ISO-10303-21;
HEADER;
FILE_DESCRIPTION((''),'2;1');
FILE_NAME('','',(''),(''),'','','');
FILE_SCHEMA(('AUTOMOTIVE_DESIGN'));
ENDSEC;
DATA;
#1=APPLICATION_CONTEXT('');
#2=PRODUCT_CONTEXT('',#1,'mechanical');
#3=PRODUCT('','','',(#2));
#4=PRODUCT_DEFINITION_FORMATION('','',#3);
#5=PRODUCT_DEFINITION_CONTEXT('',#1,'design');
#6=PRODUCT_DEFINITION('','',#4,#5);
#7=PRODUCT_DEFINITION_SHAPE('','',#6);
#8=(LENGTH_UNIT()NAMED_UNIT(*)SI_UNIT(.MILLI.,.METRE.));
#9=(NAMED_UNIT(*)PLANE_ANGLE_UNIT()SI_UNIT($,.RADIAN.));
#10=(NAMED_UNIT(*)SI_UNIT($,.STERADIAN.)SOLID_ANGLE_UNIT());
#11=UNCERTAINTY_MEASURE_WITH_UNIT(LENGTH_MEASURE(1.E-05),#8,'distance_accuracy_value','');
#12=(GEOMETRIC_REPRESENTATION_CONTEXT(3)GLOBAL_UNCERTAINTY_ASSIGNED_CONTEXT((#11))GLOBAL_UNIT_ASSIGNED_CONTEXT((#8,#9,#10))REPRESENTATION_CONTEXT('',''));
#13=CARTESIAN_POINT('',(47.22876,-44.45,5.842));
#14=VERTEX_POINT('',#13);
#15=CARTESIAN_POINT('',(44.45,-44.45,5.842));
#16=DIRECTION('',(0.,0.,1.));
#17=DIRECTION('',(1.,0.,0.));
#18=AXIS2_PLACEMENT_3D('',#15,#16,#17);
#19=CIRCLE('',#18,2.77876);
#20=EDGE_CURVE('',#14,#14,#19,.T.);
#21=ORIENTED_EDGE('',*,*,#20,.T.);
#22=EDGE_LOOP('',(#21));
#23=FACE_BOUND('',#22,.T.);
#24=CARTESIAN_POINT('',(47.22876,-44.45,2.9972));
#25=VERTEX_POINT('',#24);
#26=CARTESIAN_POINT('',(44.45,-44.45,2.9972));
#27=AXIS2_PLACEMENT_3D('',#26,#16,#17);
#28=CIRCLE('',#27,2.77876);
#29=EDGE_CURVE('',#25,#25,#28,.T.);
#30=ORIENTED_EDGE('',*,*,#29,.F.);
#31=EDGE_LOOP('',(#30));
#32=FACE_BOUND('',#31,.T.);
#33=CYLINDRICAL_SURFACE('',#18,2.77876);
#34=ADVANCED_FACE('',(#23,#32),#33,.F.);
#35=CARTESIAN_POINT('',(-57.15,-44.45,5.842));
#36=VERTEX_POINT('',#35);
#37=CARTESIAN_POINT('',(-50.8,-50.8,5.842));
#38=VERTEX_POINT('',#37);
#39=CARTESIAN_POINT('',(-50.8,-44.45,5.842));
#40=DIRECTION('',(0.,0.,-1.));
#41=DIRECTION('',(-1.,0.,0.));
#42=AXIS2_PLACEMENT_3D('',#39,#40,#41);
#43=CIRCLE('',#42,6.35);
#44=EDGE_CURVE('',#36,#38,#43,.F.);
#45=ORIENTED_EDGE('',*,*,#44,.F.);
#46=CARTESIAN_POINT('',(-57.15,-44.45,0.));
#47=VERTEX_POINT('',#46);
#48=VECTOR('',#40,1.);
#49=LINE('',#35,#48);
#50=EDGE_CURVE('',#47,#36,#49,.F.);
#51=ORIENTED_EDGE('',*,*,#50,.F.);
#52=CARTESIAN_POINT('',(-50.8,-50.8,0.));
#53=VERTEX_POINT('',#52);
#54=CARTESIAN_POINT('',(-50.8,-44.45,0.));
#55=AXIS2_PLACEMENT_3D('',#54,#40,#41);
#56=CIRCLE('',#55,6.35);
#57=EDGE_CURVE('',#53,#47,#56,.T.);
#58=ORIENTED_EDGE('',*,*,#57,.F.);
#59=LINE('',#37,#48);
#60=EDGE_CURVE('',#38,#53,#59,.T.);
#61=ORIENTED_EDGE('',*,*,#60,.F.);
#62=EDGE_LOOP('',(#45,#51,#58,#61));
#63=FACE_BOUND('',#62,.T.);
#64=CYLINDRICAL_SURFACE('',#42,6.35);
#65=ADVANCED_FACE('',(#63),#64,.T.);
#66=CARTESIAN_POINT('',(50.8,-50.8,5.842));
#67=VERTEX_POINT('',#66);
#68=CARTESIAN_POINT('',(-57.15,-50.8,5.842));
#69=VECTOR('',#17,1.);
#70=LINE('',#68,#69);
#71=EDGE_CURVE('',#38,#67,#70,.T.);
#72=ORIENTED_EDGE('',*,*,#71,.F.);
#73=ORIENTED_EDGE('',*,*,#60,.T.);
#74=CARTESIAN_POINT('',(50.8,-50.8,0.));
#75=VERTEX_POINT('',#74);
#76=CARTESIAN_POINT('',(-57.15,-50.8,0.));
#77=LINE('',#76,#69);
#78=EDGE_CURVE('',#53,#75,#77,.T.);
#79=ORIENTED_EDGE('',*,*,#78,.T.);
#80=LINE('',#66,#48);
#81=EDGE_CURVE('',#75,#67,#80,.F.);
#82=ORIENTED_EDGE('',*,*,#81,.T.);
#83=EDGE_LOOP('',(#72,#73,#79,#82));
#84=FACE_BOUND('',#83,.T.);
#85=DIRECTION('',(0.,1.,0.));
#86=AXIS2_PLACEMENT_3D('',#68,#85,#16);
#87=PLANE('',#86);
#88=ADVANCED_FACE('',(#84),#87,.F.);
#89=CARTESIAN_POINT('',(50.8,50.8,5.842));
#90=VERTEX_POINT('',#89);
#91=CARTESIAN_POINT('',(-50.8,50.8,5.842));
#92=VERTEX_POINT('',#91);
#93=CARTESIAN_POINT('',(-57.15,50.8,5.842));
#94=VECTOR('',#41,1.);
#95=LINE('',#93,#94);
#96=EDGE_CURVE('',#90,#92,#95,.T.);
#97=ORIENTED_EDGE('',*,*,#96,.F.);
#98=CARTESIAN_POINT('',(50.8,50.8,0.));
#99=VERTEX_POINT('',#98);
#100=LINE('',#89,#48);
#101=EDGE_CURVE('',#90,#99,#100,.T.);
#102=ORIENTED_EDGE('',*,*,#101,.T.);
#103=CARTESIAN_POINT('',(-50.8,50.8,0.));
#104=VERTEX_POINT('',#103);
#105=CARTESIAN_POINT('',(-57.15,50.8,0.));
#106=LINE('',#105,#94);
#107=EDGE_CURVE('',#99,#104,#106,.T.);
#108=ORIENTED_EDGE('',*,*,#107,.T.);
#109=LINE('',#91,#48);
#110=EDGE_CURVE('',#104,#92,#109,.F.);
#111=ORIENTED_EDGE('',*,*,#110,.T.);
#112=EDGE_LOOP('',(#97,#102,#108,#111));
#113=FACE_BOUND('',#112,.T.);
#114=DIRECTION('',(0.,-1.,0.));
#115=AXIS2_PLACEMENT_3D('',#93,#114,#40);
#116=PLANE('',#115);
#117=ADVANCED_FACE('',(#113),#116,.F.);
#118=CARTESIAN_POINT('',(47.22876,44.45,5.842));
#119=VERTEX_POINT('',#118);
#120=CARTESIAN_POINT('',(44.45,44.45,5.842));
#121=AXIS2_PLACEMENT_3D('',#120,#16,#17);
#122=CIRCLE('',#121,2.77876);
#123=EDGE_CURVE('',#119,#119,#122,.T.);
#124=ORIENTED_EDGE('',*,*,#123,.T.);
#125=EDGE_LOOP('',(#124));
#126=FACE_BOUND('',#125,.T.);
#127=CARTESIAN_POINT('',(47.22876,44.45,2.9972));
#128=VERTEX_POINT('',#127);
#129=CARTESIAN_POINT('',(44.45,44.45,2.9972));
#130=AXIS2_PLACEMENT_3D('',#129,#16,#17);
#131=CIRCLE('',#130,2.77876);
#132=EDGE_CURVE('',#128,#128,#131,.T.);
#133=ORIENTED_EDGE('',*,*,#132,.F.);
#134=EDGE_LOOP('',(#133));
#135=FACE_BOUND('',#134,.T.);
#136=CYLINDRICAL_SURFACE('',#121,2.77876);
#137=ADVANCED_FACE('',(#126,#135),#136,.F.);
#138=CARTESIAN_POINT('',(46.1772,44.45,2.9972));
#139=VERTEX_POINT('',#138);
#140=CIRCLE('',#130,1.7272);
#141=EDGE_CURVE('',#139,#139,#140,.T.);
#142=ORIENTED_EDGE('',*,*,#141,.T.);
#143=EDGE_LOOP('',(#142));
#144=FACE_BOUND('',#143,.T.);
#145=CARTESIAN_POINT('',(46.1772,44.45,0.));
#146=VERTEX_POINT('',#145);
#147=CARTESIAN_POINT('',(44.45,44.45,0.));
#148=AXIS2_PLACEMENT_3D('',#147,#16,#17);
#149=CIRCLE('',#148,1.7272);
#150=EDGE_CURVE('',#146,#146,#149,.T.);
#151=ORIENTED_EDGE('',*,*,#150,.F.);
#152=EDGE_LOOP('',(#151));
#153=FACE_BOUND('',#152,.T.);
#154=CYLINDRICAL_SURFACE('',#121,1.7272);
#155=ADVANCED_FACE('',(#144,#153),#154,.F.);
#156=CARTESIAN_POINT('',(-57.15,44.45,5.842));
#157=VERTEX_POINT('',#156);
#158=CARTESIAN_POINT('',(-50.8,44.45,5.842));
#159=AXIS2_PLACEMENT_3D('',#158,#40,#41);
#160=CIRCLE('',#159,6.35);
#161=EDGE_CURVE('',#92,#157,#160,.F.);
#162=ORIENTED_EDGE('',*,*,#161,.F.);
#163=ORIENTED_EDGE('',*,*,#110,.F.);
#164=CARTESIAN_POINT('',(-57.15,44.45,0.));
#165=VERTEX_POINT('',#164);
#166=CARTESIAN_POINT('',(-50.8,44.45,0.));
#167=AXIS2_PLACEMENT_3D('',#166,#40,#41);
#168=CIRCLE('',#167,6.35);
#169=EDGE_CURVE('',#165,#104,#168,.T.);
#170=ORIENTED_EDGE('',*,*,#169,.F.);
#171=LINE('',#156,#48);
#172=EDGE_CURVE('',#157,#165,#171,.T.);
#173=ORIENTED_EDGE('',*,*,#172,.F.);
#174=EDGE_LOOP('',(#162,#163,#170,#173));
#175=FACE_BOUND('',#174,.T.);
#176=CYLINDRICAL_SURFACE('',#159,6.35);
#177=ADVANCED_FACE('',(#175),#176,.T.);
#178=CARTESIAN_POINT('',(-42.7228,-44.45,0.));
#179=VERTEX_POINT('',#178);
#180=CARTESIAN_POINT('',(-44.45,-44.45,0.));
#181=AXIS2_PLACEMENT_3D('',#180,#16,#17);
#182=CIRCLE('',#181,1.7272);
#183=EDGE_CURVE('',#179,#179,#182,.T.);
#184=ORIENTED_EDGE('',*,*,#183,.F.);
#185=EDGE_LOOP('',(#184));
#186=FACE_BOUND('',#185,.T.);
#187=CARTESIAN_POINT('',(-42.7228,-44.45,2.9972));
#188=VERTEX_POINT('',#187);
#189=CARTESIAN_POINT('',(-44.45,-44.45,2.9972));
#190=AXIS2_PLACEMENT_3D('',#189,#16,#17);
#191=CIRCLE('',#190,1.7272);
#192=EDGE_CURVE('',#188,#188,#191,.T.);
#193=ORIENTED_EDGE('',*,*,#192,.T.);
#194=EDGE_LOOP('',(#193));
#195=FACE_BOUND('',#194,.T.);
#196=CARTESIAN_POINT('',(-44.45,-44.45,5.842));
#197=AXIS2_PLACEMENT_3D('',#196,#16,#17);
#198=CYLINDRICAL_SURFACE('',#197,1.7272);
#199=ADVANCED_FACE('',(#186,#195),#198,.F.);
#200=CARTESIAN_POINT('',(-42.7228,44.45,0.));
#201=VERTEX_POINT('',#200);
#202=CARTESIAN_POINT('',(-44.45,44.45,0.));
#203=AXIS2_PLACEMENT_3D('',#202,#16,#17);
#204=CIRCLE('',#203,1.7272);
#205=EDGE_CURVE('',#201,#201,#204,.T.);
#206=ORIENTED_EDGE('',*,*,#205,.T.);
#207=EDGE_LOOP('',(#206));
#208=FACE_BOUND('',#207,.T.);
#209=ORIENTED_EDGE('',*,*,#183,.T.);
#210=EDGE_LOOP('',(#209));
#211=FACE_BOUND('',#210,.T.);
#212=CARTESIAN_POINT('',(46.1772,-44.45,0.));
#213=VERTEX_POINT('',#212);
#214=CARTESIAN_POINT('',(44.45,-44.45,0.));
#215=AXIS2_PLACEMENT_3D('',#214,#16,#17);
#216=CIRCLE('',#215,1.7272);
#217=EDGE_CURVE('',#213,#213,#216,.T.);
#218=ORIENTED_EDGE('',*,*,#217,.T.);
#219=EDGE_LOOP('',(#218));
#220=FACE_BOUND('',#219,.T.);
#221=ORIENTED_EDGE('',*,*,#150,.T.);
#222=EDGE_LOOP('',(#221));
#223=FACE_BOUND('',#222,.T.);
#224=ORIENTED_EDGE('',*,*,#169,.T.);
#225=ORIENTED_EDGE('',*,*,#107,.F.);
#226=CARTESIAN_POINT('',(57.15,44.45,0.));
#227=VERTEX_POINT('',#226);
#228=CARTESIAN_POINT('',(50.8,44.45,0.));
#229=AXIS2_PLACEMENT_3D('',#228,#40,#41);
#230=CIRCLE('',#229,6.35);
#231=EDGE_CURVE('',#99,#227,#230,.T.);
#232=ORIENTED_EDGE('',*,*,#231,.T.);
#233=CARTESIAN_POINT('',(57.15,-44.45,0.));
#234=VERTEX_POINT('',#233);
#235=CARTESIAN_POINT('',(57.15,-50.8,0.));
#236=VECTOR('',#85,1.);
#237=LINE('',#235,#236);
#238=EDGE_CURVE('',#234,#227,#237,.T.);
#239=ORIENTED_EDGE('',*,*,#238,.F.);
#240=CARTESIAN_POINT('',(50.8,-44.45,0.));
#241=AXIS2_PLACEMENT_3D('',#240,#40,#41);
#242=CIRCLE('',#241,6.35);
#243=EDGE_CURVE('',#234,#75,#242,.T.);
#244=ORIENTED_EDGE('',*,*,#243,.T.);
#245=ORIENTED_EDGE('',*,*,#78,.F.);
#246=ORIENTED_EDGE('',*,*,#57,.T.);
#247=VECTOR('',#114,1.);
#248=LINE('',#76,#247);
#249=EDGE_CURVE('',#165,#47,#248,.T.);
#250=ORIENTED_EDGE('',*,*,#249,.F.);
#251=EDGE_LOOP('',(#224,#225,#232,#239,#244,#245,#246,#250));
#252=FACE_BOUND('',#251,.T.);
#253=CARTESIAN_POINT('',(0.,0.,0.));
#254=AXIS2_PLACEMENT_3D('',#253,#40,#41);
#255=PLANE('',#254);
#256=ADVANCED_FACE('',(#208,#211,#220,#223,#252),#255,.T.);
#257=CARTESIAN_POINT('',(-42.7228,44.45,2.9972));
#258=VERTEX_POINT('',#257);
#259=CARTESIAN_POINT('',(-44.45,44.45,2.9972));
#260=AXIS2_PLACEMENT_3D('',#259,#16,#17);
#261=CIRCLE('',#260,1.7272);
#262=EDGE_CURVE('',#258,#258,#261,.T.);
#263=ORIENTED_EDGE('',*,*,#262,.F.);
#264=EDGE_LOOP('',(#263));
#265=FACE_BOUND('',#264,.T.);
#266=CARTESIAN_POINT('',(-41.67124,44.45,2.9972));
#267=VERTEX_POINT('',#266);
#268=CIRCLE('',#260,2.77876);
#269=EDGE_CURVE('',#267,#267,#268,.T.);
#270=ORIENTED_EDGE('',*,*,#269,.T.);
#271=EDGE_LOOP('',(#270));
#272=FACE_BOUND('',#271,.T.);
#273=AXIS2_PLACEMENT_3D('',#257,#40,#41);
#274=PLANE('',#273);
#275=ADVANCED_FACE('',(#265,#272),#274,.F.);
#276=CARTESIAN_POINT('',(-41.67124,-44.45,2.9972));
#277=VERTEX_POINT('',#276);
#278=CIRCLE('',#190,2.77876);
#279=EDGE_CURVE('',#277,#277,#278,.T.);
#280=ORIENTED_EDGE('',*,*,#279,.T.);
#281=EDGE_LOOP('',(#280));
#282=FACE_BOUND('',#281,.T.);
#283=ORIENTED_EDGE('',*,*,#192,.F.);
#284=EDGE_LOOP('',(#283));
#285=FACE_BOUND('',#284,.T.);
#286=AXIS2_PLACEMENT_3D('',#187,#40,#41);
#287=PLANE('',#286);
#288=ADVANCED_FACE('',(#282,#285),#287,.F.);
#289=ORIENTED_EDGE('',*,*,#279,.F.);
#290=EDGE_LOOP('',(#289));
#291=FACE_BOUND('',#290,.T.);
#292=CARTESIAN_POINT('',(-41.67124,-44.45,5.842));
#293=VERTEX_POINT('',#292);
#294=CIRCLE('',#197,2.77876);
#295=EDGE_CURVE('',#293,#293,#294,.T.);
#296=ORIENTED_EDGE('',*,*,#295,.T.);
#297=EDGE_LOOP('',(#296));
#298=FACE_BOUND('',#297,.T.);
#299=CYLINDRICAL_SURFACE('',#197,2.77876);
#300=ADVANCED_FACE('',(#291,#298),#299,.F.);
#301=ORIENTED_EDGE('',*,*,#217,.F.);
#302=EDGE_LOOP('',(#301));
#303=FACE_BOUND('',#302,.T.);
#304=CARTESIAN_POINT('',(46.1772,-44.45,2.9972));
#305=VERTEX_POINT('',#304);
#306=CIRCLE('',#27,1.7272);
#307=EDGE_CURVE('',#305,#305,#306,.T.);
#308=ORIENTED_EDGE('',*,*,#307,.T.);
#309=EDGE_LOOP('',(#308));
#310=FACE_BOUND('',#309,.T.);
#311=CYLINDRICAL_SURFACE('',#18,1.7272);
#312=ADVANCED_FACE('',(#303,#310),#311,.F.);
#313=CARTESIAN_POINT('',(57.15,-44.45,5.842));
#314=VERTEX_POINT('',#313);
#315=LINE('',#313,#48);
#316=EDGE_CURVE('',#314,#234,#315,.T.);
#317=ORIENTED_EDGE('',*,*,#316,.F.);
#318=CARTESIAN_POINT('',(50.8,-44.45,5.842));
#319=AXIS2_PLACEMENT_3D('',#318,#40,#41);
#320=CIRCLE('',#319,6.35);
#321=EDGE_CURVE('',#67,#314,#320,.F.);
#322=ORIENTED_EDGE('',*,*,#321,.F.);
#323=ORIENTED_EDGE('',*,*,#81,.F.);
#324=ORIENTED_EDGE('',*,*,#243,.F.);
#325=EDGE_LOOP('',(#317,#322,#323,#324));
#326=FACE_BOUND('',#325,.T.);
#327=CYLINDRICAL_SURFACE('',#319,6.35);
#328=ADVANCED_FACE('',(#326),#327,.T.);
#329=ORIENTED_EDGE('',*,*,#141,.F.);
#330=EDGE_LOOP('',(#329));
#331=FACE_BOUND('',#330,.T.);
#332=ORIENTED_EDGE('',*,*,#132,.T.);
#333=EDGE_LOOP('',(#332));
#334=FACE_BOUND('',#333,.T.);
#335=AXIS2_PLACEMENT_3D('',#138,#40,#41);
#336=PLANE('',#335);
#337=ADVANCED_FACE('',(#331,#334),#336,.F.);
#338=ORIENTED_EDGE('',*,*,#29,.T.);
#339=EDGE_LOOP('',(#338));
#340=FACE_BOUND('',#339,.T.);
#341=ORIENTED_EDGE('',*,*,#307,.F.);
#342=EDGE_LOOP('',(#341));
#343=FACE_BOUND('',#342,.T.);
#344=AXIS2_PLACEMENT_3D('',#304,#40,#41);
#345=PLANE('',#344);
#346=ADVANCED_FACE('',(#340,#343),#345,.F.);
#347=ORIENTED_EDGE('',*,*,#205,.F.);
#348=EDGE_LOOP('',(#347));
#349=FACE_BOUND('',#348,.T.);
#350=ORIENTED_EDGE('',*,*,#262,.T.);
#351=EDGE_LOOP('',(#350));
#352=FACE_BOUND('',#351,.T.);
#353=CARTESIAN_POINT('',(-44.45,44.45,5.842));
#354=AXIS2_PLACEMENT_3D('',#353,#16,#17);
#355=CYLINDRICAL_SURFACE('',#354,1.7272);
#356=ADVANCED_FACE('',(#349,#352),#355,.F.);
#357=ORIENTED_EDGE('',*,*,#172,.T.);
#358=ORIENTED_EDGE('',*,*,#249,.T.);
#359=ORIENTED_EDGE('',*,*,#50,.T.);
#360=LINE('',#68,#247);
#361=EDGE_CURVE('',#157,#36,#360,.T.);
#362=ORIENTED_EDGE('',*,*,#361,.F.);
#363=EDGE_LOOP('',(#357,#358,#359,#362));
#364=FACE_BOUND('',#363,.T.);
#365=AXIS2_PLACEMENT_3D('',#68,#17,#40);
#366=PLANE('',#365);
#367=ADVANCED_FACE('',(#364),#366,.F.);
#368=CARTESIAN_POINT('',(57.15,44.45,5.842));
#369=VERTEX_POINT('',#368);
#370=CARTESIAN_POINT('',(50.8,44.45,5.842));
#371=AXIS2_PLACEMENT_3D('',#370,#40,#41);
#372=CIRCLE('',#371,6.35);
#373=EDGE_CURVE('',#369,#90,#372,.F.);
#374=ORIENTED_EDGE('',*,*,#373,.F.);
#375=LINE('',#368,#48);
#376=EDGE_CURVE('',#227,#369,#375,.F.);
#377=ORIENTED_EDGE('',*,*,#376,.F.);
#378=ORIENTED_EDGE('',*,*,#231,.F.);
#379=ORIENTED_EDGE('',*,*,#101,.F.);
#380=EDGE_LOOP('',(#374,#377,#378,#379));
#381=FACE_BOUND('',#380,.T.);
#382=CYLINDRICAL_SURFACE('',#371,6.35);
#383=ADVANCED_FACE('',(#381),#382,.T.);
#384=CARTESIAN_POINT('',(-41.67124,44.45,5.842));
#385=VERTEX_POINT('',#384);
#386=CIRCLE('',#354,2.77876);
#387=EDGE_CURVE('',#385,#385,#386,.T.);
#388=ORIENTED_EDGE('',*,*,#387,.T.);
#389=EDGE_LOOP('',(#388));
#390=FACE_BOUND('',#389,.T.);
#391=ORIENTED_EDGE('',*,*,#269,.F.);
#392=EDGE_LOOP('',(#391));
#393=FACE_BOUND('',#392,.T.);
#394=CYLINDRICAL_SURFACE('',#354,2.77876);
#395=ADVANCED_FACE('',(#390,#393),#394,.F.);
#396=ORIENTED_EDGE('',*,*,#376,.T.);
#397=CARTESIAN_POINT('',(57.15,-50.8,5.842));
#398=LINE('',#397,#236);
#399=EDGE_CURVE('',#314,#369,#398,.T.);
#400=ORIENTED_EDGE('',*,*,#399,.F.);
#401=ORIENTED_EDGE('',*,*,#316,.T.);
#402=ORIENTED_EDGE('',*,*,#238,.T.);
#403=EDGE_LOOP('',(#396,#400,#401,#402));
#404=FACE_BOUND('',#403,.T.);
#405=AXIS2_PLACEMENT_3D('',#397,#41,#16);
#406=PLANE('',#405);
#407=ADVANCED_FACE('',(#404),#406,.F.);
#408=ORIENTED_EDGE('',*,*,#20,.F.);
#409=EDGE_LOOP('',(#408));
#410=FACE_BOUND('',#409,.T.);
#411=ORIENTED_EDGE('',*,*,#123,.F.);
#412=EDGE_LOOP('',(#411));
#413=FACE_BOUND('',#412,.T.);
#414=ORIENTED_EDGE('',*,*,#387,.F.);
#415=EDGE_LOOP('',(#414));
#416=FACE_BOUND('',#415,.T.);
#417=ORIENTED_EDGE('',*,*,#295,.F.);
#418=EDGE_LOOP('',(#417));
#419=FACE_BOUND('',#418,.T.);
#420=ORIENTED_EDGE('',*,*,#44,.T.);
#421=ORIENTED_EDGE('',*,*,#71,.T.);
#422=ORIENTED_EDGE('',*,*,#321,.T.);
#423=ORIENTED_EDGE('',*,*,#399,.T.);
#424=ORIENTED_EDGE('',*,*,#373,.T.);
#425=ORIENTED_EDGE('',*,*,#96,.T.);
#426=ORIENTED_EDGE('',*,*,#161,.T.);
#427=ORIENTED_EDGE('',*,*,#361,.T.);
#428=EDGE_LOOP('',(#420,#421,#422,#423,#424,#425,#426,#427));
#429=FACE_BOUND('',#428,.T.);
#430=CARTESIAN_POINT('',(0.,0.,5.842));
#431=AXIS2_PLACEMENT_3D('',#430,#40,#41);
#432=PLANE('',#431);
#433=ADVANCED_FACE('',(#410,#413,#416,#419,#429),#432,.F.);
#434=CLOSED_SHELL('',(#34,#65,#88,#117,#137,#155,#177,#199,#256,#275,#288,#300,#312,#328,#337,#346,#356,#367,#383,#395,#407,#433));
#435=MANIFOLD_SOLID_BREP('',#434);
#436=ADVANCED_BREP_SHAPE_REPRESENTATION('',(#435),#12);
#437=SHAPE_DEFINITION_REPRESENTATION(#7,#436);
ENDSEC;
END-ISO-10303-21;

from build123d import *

# Parameters (mm, degrees)
SKETCH1_W                                      = 114.3
SKETCH1_H                                      = 101.6
BOSS_EXTRUDE1_DEPTH                            = 5.842
CBORE_FOR_4_SOCKET_HEAD_CAP_SCREW1_D           = 3.4544
CBORE_FOR_4_SOCKET_HEAD_CAP_SCREW1_CBORE_D     = 5.55752
CBORE_FOR_4_SOCKET_HEAD_CAP_SCREW1_CBORE_DEPTH = 2.8448
FILLET1_R                                      = 6.35


with BuildPart() as part:
    # Sketch1 → Boss-Extrude1 (new body)
    with BuildSketch(Plane.XY):
        Rectangle(SKETCH1_W, SKETCH1_H)
    extrude(amount=BOSS_EXTRUDE1_DEPTH)

    # CBORE for #4 Socket Head Cap Screw1 (through all)
    with Locations(Plane.XY.offset(5.842)):
        with Locations((-44.45, 44.45), (-44.45, -44.45), (44.45, -44.45), (44.45, 44.45)):
            CounterBoreHole(CBORE_FOR_4_SOCKET_HEAD_CAP_SCREW1_D / 2, CBORE_FOR_4_SOCKET_HEAD_CAP_SCREW1_CBORE_D / 2, CBORE_FOR_4_SOCKET_HEAD_CAP_SCREW1_CBORE_DEPTH)

    # Fillet1
    fillet1_edges = [part.edges().sort_by_distance(p)[0] for p in [
        (57.15, -50.8, 2.921),
        (-57.15, -50.8, 2.921),
        (-57.15, 50.8, 2.921),
        (57.15, 50.8, 2.921),
    ]]
    fillet(fillet1_edges, radius=FILLET1_R)


solid = part.part
